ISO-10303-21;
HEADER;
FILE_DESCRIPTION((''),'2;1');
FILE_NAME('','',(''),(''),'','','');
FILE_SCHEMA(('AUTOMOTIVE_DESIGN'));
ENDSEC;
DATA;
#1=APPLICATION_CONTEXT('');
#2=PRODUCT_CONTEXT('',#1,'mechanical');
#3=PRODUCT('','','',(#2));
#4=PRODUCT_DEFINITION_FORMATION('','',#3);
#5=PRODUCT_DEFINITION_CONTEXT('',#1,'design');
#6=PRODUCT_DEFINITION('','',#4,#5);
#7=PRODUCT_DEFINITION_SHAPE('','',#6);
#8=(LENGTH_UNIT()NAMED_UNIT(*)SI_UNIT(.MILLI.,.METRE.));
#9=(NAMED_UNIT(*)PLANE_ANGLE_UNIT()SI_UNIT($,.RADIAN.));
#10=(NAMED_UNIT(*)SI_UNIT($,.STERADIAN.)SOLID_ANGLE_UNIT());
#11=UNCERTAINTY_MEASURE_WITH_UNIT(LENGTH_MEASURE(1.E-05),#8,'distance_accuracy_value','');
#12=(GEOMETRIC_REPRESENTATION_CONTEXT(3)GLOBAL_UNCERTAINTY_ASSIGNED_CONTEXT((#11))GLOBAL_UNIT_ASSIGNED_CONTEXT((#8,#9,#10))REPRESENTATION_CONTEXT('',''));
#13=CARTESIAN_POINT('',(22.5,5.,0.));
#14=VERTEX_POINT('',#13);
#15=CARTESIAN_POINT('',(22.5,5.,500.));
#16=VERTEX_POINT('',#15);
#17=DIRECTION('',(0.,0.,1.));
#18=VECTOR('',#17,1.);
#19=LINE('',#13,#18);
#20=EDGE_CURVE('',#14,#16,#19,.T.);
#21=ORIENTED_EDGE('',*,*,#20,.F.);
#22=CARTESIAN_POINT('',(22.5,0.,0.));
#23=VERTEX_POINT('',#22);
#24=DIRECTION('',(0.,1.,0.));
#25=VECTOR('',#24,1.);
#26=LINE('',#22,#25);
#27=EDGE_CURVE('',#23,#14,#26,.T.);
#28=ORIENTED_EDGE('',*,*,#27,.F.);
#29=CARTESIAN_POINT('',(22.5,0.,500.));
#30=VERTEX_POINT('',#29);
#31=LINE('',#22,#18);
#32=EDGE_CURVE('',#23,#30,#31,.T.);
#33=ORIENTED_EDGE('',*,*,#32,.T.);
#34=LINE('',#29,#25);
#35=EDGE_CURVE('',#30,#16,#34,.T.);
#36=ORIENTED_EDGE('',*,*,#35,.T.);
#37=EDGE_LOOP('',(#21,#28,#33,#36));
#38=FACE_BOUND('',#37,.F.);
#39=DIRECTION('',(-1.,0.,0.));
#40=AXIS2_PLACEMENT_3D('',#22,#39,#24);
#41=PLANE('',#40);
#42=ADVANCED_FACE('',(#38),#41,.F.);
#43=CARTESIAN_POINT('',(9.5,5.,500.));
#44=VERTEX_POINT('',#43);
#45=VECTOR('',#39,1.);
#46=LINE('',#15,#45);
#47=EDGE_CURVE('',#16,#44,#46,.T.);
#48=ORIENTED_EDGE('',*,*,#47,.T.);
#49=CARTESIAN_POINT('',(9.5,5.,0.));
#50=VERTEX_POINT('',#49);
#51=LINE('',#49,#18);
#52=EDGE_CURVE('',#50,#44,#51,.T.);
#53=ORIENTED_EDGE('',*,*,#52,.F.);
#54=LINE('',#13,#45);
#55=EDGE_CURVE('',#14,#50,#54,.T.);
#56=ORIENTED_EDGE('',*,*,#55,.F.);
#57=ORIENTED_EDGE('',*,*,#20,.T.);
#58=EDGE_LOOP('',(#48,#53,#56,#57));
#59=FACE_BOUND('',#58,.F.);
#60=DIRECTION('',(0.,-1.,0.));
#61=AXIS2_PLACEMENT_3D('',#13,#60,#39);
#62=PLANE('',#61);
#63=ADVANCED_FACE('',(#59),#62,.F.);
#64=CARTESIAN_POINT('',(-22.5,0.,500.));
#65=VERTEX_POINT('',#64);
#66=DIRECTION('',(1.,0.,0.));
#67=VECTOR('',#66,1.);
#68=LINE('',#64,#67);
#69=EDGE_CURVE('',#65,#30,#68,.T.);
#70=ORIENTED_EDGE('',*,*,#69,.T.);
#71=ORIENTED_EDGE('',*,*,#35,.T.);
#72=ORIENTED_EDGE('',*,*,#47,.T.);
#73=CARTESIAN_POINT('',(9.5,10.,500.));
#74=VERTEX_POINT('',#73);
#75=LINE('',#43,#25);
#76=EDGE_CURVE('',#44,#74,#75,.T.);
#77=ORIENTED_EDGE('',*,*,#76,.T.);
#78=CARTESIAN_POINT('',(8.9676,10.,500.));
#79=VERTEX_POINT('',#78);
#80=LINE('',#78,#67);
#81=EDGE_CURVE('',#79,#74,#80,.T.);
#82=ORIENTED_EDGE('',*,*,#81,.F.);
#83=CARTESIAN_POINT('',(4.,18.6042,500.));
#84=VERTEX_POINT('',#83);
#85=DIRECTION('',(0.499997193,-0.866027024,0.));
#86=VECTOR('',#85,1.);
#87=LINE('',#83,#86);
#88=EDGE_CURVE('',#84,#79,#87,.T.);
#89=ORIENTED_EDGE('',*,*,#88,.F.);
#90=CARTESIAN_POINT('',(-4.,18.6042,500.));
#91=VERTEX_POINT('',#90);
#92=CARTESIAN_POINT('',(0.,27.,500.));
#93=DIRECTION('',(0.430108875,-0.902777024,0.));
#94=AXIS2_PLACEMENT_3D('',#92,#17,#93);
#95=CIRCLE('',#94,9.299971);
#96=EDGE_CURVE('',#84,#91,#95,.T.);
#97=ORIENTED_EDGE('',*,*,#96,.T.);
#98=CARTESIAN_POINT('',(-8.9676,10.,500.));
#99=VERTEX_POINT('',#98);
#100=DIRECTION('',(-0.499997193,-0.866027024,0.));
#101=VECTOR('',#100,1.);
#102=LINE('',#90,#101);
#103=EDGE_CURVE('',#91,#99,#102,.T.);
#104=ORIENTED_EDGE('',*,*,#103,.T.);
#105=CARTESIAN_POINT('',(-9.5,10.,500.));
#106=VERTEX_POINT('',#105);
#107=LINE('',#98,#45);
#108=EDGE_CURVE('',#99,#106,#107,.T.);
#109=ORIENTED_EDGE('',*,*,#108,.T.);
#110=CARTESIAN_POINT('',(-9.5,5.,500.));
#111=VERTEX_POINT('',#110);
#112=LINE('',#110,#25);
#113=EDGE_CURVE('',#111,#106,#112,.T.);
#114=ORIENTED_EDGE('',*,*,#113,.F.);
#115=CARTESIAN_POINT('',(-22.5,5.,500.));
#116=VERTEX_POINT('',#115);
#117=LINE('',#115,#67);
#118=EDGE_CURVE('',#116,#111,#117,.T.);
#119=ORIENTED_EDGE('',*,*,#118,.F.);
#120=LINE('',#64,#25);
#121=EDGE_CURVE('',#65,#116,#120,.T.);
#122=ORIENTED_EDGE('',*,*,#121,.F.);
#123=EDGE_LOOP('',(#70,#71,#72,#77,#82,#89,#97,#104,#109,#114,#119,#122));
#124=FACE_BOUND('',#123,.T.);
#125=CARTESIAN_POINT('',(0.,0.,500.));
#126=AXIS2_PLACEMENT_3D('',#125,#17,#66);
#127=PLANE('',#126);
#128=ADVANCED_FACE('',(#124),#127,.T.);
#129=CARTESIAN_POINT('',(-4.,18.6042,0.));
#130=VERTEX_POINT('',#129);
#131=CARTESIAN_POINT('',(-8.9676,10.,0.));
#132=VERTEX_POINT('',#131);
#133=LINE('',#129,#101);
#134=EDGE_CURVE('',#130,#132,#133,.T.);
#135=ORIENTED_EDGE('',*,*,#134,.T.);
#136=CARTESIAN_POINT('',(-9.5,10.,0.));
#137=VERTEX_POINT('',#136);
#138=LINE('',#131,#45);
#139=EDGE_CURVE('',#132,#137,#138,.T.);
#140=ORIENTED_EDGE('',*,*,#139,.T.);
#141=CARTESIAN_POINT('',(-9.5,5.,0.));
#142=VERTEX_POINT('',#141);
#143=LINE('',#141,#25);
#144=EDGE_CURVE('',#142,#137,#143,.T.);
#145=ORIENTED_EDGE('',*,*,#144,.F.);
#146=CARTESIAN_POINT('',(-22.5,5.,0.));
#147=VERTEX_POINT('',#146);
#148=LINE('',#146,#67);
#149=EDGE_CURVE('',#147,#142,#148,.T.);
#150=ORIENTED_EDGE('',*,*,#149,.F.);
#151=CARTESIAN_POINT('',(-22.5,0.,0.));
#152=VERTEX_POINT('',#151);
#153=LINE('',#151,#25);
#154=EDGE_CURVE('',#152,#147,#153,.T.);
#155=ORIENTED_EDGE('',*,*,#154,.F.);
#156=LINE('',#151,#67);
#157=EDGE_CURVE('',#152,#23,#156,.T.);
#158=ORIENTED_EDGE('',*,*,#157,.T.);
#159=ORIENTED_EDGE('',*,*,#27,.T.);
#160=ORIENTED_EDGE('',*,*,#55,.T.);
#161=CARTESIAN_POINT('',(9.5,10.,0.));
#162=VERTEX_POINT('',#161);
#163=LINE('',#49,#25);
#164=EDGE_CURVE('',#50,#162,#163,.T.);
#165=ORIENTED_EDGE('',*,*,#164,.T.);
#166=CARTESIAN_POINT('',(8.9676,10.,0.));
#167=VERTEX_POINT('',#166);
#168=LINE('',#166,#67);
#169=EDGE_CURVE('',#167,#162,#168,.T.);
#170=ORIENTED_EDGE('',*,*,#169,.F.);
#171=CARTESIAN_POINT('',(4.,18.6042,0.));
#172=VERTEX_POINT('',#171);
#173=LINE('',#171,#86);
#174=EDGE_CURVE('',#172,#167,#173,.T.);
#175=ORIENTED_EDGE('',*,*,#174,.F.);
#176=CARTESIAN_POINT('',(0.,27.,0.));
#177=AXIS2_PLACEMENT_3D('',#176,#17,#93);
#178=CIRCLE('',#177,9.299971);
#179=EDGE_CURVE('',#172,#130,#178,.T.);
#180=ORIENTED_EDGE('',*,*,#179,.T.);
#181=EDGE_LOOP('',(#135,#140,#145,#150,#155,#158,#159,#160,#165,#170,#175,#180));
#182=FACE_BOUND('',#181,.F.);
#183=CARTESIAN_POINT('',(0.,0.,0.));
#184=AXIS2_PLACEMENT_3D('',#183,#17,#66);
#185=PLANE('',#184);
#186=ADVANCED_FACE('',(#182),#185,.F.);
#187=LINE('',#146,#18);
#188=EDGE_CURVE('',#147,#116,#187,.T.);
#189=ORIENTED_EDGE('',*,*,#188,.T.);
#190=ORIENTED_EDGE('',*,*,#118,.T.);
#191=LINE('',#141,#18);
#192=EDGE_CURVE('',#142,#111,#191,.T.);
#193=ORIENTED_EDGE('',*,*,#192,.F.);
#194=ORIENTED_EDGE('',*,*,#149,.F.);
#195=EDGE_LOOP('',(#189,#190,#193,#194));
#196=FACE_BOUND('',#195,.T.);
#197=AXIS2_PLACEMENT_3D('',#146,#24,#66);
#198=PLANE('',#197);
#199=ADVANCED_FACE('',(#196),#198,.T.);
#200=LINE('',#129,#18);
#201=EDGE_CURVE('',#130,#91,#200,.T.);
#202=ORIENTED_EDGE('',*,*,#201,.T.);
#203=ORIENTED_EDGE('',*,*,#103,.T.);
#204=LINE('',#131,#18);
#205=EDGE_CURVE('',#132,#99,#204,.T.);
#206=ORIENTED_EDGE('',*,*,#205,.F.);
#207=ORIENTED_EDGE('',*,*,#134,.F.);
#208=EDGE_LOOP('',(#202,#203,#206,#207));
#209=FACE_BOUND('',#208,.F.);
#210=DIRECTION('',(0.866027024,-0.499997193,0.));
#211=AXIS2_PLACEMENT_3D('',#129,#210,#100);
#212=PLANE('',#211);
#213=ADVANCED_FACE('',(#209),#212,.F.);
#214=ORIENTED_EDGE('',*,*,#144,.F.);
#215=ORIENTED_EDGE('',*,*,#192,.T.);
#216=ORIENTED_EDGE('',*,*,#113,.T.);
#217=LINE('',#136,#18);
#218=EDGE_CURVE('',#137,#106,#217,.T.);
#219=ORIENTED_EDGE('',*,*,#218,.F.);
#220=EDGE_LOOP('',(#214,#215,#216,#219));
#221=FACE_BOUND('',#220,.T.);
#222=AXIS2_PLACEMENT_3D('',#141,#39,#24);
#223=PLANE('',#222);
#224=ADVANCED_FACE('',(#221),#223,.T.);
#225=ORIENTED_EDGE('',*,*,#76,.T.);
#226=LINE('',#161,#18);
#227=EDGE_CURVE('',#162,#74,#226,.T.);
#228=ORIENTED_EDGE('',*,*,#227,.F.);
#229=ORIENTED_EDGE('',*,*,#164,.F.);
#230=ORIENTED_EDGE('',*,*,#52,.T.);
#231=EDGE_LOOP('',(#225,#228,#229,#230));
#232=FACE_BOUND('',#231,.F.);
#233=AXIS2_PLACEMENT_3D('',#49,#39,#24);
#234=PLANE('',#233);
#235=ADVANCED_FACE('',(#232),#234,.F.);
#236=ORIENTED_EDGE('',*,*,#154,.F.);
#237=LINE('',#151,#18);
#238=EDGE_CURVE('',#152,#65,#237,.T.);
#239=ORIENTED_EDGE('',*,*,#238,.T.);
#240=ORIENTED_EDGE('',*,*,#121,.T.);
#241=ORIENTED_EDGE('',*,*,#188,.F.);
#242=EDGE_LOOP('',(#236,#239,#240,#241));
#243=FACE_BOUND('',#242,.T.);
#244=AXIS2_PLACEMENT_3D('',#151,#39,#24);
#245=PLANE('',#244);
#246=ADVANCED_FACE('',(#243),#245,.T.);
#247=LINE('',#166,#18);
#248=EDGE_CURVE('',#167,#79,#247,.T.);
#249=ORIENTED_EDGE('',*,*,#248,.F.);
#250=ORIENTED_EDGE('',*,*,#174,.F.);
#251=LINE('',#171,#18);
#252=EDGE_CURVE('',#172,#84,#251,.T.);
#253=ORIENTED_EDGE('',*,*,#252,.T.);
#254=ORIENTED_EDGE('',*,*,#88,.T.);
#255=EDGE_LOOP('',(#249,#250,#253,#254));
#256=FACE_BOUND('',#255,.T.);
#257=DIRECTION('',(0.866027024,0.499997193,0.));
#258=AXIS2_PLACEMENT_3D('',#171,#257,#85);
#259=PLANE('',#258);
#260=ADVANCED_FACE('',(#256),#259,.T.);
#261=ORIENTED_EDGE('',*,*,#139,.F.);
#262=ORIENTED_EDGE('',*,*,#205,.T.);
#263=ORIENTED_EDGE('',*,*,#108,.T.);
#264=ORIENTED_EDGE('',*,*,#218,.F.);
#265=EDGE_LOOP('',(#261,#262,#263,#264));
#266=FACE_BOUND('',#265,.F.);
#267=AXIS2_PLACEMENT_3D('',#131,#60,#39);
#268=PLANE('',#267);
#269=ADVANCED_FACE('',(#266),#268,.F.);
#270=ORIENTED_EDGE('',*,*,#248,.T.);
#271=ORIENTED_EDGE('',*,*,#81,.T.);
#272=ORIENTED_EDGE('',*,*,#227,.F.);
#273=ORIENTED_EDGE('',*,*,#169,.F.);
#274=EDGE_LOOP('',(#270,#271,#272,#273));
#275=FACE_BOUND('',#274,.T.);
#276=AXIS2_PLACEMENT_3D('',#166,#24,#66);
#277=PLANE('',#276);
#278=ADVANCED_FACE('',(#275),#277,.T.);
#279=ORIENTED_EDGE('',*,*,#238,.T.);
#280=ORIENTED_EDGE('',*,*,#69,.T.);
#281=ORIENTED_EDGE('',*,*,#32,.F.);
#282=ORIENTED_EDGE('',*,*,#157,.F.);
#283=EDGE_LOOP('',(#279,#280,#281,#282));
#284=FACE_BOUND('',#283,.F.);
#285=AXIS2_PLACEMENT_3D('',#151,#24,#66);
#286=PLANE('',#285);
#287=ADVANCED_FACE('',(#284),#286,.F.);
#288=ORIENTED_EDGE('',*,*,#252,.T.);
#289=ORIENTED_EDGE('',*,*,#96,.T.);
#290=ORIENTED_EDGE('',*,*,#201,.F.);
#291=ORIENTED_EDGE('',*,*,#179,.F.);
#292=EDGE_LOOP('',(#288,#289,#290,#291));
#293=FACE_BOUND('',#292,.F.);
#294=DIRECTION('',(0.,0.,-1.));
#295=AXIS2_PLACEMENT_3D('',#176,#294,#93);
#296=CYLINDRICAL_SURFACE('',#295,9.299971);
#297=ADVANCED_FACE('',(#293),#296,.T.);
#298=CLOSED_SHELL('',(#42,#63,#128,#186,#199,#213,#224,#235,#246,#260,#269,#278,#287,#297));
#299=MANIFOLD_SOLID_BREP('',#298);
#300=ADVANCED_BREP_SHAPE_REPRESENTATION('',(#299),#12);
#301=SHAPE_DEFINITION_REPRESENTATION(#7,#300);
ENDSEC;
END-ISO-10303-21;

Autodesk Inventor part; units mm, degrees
ref_plane "YZ Plane" through (0, 0, 0) normal (1, 0, 0) x (0, 1, 0)
ref_plane "XZ Plane" through (0, 0, 0) normal (0, 1, 0) x (-1, 0, 0)
ref_plane "XY Plane" through (0, 0, 0) normal (0, 0, 1) x (1, 0, 0)
sketch "Sketch1" plane through (0, 0, 0) normal (0, 0, 1) x (1, 0, 0)
  line L0 (-22.5, 0) -> (22.5, 0)
  line L1 (22.5, 0) -> (22.5, 5)
  line L2 (-22.5, 0) -> (-22.5, 5)
  line L3 (-22.5, 5) -> (-9.5, 5)
  line L4 (22.5, 5) -> (9.5, 5)
  line L5 (-9.5, 5) -> (-9.5, 10)
  line L6 (9.5, 5) -> (9.5, 10)
  arc A0 (4, 18.6042) -> (-4, 18.6042) centre (0, 27) ccw
  line L7 (4, 18.6042) -> (8.9676, 10)
  line L8 (-4, 18.6042) -> (-8.9676, 10)
  line L9 (-9.5, 10) -> (9.5, 10) construction
  line L10 (-8.9676, 10) -> (-9.5, 10) construction
  line L11 (-8.9676, 10) -> (-9.5, 10)
  line L12 (8.9676, 10) -> (9.5, 10)
  line L13 (-11.4601, 5) -> (-11.4601, 0) construction
  line L14 (-16.9601, 5) -> (-16.9601, 0) construction
  line L15 (13.0399, 5) -> (13.0399, 0) construction
  line L16 (18.5399, 5) -> (18.5399, 0) construction
  arc A1 (-4, 18.6042) -> (4, 18.6042) centre (0, 27) ccw construction
  point P0 (0, 0)
  point P1 (0, 0)
  point P2 (0, 17.7)
  point P3 (15.7899, 5)
  point P4 (-14.2101, 5)
  dimension "B" = 45
  dimension "t" = 5
  dimension "d2" = 5
  dimension "dimensionf" = 19
  dimension "d4" = 13
  dimension "Y" = 10
  dimension "d6" = 5
  dimension "d" = 18.6
  dimension "e" = 22.5
  dimension "dimensionH" = 17.7
  dimension "dimensionh" = 27
  dimension "x" = 8
  dimension "d16" = 4
  dimension "dimensionc" = 30
  dimension "d21" = 6.7101
  dimension "s1" = 5.5
  dimension "d23" = 5.5
  dimension "d24" = 2.75
  dimension "d25" = 2.75
extrude "Extrusion1" add sketch "Sketch1" along normal blind 500
equation "\"d2\" = t"
equation "\"d16\" = 0.5 * x"
properties part number "sbr20_500mm"
